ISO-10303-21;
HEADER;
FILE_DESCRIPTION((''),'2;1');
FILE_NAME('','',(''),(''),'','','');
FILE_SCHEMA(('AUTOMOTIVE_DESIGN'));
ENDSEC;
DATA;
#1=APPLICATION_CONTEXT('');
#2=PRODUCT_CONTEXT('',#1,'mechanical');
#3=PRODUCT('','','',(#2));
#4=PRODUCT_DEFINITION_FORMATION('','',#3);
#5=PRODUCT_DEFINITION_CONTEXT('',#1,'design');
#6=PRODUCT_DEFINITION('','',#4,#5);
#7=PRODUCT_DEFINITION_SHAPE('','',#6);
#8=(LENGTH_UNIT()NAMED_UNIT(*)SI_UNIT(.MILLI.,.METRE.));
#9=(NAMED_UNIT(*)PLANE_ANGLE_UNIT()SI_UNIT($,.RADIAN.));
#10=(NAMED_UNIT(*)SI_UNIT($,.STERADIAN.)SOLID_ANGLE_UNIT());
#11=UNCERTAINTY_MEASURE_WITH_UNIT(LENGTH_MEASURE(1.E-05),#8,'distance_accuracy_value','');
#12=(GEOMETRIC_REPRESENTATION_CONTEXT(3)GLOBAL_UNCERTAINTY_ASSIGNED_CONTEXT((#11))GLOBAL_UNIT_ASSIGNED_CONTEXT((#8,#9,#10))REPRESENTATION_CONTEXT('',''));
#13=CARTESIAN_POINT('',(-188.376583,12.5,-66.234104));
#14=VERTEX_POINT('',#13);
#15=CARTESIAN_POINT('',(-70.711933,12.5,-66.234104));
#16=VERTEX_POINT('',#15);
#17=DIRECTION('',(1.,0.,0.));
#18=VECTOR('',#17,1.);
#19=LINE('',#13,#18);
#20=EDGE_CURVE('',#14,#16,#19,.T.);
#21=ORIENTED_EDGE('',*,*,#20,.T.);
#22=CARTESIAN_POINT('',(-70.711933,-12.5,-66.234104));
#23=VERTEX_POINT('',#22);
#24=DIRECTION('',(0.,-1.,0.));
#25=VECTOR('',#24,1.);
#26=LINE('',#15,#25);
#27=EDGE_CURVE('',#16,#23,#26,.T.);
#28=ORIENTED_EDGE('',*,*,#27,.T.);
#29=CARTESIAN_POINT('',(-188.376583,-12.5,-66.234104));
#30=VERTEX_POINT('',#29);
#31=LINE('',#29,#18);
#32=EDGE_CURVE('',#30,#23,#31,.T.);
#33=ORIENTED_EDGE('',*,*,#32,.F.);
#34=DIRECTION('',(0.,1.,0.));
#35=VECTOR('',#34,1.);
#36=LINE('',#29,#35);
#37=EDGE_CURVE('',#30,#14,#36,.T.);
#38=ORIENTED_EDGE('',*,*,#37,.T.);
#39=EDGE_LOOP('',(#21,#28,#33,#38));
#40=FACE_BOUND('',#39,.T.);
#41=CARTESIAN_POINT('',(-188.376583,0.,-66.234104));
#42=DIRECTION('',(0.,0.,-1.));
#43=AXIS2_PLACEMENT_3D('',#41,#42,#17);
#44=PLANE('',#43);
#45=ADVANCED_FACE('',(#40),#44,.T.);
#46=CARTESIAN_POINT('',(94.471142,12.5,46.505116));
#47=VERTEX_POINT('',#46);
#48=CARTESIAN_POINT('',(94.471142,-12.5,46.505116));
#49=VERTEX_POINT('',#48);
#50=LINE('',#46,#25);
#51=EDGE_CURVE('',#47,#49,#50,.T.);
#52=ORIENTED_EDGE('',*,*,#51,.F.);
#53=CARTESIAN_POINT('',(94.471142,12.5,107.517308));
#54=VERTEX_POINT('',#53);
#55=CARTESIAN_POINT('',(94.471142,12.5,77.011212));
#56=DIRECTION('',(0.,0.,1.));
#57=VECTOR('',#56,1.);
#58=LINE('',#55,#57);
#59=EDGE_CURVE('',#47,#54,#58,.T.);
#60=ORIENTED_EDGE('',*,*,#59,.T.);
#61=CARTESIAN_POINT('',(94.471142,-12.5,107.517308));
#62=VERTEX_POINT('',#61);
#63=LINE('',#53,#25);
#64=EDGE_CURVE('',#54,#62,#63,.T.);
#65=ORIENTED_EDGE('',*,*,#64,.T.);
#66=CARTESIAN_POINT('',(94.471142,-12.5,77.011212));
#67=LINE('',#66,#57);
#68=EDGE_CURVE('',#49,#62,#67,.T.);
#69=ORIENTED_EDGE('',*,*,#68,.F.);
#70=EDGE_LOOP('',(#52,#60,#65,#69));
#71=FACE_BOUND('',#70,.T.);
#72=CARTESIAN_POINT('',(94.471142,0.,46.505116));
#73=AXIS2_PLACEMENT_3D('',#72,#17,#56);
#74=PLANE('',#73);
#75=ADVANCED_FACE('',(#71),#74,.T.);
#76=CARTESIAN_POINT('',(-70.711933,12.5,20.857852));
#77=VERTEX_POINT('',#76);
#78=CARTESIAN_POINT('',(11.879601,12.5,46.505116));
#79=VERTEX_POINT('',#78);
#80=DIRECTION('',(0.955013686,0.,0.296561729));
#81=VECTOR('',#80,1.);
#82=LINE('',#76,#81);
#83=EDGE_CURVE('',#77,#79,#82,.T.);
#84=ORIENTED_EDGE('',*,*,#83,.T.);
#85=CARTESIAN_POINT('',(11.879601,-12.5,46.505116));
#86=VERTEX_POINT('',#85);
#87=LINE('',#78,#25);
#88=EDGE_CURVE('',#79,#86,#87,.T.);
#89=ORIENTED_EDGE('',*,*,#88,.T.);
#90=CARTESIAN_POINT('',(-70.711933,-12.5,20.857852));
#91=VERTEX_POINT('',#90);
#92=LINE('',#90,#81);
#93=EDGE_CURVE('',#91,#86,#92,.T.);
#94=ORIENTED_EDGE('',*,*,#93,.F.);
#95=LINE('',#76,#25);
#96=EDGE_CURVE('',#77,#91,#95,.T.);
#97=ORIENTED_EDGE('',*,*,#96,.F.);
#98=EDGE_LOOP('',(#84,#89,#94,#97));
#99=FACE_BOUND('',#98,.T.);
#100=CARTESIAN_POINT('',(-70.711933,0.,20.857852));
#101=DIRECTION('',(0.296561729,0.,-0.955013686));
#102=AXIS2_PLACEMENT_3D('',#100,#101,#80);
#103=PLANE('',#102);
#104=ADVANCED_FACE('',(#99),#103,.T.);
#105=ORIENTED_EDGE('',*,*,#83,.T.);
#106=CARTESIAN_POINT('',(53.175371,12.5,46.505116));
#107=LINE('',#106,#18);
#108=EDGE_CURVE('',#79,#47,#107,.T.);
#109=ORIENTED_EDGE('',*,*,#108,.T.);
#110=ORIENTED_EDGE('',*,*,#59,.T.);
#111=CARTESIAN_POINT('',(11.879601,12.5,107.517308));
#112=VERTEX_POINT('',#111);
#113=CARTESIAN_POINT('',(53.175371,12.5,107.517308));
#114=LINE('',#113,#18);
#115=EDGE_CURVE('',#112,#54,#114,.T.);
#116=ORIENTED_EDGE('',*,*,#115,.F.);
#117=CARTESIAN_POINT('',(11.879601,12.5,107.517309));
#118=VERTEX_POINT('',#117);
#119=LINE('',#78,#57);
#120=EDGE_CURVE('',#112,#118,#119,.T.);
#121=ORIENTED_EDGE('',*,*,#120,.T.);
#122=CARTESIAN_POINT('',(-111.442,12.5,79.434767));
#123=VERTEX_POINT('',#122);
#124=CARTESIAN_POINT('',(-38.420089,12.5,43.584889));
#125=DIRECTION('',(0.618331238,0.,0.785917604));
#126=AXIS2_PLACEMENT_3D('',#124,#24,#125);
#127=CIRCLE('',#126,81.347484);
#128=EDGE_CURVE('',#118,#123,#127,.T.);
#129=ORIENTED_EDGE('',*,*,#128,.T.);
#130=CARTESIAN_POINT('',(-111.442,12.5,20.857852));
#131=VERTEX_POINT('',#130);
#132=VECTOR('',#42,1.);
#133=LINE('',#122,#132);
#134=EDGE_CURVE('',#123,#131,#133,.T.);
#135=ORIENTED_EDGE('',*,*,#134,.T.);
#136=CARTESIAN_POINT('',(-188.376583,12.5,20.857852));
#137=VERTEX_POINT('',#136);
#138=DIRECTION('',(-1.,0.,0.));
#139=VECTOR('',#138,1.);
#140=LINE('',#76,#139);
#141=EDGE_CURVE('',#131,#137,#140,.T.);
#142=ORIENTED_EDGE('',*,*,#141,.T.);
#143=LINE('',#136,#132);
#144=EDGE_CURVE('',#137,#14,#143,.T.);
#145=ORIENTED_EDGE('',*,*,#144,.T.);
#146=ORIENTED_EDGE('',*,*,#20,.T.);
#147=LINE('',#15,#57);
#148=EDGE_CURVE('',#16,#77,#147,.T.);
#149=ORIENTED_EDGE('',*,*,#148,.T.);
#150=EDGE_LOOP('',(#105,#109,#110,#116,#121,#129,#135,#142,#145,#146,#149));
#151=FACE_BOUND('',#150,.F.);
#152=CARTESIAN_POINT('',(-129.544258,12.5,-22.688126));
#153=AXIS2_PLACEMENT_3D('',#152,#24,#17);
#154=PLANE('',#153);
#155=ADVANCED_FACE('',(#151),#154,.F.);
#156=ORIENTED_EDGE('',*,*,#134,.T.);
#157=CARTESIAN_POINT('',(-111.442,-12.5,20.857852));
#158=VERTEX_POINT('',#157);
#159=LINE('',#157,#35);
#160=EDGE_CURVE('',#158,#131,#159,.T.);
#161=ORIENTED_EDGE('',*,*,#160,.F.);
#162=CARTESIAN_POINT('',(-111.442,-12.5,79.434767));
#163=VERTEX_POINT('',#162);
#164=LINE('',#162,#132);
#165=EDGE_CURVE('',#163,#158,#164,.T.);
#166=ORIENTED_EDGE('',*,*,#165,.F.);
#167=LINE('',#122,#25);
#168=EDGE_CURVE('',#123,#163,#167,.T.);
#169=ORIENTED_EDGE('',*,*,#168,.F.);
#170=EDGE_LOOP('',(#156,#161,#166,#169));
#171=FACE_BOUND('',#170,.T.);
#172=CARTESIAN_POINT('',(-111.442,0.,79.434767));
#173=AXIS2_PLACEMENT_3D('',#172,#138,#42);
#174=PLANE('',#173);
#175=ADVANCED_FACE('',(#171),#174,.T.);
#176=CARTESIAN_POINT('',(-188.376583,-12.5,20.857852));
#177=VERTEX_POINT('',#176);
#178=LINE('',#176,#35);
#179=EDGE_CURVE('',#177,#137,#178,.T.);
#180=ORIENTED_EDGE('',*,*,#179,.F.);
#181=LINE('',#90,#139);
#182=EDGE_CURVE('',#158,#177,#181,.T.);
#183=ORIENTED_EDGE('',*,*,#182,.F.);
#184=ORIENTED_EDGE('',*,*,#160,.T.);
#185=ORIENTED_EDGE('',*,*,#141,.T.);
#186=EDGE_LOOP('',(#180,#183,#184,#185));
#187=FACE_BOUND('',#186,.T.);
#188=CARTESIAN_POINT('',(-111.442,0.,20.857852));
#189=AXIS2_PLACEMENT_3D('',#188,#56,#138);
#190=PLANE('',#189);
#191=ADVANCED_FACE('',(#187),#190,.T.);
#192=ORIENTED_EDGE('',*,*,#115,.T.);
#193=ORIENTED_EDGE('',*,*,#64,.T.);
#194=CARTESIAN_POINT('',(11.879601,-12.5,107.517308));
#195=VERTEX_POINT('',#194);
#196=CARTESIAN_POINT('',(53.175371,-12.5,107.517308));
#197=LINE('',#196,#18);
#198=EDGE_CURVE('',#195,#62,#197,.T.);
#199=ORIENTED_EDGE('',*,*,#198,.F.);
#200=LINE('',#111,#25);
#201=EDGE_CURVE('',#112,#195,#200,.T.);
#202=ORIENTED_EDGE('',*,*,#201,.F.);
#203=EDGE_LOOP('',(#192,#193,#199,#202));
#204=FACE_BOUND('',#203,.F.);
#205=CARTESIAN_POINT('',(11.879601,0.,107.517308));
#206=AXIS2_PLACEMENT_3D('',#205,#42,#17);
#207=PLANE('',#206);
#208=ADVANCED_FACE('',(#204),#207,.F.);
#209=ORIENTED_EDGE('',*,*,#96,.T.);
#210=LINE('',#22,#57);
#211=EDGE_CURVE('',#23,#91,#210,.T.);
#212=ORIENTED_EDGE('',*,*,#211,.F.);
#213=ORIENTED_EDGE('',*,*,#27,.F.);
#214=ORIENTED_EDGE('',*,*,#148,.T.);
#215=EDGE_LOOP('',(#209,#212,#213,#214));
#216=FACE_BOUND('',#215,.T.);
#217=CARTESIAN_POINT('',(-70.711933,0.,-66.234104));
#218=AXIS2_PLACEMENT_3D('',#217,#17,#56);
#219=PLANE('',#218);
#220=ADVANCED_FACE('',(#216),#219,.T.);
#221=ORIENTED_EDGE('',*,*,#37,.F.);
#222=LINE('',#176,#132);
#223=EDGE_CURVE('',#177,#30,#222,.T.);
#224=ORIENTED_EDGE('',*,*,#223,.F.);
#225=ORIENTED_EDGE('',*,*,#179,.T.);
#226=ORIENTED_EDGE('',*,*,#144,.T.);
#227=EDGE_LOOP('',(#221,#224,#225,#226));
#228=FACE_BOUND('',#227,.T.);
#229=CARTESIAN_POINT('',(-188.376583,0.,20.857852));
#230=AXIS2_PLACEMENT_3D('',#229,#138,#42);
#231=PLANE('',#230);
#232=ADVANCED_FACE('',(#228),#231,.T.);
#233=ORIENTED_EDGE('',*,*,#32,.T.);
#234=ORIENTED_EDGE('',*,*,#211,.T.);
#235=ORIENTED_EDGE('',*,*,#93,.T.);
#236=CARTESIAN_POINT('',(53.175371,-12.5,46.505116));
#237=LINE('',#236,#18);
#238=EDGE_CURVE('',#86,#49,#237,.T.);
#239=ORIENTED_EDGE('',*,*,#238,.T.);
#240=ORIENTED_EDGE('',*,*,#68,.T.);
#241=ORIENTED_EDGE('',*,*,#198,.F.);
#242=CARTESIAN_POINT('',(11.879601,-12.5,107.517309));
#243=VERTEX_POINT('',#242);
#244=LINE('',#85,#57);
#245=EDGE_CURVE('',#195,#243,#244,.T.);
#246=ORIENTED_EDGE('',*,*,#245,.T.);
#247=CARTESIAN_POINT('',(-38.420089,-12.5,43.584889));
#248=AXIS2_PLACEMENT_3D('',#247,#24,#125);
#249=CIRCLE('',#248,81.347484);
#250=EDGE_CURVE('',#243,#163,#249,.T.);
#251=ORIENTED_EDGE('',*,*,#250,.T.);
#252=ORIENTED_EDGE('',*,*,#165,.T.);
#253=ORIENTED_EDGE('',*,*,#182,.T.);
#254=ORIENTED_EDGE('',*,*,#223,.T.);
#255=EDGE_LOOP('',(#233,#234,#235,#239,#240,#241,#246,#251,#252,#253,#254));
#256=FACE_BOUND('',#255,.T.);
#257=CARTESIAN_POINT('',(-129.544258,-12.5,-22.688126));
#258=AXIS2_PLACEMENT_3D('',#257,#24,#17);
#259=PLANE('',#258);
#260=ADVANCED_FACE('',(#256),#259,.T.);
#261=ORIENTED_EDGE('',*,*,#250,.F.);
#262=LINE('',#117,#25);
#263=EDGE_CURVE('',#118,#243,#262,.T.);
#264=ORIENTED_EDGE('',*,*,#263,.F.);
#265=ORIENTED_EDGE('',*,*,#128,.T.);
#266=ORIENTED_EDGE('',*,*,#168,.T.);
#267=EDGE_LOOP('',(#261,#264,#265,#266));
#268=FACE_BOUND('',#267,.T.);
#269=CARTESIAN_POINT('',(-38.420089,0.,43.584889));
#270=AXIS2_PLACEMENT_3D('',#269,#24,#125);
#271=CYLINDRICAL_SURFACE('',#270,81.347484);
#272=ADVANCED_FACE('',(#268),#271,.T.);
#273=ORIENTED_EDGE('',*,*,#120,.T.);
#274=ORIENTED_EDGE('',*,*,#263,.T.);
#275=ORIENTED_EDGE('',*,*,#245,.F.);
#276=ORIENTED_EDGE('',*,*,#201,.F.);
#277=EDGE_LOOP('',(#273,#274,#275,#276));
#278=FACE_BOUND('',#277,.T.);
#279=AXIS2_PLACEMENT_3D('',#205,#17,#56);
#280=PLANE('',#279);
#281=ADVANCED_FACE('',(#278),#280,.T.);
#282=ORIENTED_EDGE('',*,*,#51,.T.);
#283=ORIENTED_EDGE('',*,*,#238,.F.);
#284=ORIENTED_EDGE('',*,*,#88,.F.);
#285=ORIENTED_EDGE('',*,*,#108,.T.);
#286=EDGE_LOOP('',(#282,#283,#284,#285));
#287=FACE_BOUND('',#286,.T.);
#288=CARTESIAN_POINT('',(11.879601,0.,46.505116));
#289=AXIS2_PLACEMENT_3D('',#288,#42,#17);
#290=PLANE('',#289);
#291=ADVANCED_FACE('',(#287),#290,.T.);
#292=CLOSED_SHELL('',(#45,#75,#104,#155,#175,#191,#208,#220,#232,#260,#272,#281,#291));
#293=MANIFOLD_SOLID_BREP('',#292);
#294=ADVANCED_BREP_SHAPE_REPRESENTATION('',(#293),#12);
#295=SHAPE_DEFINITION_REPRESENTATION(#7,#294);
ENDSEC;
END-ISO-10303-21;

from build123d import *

# Parameters (mm, degrees)
F0_W     = 82.591541
F0_H     = 61.012193
F1_DEPTH = 12.5


with BuildPart() as f1:
    # F0 (on Front) → F1 (new body, symmetric)
    with BuildSketch(Plane.XZ):
        Polygon((-188.376583, -66.234104), (-70.711933, -66.234104), (-70.711933, 20.857852), (-111.442, 20.857852), (-188.376583, 20.857852), align=None)
        with Locations((53.175371, 77.011212)):
            Rectangle(F0_W, F0_H)
        with BuildLine():
            Line((-111.442, 20.857852), (-70.711933, 20.857852))
            Line((-70.711933, 20.857852), (11.879601, 46.505116))
            Line((11.879601, 46.505116), (11.879601, 107.517309))
            ThreePointArc((11.879601, 107.517309), (-56.481986, 122.901855), (-111.442, 79.434767))
            Line((-111.442, 79.434767), (-111.442, 20.857852))
        make_face()
    extrude(amount=F1_DEPTH, both=True)


solid = f1.part
